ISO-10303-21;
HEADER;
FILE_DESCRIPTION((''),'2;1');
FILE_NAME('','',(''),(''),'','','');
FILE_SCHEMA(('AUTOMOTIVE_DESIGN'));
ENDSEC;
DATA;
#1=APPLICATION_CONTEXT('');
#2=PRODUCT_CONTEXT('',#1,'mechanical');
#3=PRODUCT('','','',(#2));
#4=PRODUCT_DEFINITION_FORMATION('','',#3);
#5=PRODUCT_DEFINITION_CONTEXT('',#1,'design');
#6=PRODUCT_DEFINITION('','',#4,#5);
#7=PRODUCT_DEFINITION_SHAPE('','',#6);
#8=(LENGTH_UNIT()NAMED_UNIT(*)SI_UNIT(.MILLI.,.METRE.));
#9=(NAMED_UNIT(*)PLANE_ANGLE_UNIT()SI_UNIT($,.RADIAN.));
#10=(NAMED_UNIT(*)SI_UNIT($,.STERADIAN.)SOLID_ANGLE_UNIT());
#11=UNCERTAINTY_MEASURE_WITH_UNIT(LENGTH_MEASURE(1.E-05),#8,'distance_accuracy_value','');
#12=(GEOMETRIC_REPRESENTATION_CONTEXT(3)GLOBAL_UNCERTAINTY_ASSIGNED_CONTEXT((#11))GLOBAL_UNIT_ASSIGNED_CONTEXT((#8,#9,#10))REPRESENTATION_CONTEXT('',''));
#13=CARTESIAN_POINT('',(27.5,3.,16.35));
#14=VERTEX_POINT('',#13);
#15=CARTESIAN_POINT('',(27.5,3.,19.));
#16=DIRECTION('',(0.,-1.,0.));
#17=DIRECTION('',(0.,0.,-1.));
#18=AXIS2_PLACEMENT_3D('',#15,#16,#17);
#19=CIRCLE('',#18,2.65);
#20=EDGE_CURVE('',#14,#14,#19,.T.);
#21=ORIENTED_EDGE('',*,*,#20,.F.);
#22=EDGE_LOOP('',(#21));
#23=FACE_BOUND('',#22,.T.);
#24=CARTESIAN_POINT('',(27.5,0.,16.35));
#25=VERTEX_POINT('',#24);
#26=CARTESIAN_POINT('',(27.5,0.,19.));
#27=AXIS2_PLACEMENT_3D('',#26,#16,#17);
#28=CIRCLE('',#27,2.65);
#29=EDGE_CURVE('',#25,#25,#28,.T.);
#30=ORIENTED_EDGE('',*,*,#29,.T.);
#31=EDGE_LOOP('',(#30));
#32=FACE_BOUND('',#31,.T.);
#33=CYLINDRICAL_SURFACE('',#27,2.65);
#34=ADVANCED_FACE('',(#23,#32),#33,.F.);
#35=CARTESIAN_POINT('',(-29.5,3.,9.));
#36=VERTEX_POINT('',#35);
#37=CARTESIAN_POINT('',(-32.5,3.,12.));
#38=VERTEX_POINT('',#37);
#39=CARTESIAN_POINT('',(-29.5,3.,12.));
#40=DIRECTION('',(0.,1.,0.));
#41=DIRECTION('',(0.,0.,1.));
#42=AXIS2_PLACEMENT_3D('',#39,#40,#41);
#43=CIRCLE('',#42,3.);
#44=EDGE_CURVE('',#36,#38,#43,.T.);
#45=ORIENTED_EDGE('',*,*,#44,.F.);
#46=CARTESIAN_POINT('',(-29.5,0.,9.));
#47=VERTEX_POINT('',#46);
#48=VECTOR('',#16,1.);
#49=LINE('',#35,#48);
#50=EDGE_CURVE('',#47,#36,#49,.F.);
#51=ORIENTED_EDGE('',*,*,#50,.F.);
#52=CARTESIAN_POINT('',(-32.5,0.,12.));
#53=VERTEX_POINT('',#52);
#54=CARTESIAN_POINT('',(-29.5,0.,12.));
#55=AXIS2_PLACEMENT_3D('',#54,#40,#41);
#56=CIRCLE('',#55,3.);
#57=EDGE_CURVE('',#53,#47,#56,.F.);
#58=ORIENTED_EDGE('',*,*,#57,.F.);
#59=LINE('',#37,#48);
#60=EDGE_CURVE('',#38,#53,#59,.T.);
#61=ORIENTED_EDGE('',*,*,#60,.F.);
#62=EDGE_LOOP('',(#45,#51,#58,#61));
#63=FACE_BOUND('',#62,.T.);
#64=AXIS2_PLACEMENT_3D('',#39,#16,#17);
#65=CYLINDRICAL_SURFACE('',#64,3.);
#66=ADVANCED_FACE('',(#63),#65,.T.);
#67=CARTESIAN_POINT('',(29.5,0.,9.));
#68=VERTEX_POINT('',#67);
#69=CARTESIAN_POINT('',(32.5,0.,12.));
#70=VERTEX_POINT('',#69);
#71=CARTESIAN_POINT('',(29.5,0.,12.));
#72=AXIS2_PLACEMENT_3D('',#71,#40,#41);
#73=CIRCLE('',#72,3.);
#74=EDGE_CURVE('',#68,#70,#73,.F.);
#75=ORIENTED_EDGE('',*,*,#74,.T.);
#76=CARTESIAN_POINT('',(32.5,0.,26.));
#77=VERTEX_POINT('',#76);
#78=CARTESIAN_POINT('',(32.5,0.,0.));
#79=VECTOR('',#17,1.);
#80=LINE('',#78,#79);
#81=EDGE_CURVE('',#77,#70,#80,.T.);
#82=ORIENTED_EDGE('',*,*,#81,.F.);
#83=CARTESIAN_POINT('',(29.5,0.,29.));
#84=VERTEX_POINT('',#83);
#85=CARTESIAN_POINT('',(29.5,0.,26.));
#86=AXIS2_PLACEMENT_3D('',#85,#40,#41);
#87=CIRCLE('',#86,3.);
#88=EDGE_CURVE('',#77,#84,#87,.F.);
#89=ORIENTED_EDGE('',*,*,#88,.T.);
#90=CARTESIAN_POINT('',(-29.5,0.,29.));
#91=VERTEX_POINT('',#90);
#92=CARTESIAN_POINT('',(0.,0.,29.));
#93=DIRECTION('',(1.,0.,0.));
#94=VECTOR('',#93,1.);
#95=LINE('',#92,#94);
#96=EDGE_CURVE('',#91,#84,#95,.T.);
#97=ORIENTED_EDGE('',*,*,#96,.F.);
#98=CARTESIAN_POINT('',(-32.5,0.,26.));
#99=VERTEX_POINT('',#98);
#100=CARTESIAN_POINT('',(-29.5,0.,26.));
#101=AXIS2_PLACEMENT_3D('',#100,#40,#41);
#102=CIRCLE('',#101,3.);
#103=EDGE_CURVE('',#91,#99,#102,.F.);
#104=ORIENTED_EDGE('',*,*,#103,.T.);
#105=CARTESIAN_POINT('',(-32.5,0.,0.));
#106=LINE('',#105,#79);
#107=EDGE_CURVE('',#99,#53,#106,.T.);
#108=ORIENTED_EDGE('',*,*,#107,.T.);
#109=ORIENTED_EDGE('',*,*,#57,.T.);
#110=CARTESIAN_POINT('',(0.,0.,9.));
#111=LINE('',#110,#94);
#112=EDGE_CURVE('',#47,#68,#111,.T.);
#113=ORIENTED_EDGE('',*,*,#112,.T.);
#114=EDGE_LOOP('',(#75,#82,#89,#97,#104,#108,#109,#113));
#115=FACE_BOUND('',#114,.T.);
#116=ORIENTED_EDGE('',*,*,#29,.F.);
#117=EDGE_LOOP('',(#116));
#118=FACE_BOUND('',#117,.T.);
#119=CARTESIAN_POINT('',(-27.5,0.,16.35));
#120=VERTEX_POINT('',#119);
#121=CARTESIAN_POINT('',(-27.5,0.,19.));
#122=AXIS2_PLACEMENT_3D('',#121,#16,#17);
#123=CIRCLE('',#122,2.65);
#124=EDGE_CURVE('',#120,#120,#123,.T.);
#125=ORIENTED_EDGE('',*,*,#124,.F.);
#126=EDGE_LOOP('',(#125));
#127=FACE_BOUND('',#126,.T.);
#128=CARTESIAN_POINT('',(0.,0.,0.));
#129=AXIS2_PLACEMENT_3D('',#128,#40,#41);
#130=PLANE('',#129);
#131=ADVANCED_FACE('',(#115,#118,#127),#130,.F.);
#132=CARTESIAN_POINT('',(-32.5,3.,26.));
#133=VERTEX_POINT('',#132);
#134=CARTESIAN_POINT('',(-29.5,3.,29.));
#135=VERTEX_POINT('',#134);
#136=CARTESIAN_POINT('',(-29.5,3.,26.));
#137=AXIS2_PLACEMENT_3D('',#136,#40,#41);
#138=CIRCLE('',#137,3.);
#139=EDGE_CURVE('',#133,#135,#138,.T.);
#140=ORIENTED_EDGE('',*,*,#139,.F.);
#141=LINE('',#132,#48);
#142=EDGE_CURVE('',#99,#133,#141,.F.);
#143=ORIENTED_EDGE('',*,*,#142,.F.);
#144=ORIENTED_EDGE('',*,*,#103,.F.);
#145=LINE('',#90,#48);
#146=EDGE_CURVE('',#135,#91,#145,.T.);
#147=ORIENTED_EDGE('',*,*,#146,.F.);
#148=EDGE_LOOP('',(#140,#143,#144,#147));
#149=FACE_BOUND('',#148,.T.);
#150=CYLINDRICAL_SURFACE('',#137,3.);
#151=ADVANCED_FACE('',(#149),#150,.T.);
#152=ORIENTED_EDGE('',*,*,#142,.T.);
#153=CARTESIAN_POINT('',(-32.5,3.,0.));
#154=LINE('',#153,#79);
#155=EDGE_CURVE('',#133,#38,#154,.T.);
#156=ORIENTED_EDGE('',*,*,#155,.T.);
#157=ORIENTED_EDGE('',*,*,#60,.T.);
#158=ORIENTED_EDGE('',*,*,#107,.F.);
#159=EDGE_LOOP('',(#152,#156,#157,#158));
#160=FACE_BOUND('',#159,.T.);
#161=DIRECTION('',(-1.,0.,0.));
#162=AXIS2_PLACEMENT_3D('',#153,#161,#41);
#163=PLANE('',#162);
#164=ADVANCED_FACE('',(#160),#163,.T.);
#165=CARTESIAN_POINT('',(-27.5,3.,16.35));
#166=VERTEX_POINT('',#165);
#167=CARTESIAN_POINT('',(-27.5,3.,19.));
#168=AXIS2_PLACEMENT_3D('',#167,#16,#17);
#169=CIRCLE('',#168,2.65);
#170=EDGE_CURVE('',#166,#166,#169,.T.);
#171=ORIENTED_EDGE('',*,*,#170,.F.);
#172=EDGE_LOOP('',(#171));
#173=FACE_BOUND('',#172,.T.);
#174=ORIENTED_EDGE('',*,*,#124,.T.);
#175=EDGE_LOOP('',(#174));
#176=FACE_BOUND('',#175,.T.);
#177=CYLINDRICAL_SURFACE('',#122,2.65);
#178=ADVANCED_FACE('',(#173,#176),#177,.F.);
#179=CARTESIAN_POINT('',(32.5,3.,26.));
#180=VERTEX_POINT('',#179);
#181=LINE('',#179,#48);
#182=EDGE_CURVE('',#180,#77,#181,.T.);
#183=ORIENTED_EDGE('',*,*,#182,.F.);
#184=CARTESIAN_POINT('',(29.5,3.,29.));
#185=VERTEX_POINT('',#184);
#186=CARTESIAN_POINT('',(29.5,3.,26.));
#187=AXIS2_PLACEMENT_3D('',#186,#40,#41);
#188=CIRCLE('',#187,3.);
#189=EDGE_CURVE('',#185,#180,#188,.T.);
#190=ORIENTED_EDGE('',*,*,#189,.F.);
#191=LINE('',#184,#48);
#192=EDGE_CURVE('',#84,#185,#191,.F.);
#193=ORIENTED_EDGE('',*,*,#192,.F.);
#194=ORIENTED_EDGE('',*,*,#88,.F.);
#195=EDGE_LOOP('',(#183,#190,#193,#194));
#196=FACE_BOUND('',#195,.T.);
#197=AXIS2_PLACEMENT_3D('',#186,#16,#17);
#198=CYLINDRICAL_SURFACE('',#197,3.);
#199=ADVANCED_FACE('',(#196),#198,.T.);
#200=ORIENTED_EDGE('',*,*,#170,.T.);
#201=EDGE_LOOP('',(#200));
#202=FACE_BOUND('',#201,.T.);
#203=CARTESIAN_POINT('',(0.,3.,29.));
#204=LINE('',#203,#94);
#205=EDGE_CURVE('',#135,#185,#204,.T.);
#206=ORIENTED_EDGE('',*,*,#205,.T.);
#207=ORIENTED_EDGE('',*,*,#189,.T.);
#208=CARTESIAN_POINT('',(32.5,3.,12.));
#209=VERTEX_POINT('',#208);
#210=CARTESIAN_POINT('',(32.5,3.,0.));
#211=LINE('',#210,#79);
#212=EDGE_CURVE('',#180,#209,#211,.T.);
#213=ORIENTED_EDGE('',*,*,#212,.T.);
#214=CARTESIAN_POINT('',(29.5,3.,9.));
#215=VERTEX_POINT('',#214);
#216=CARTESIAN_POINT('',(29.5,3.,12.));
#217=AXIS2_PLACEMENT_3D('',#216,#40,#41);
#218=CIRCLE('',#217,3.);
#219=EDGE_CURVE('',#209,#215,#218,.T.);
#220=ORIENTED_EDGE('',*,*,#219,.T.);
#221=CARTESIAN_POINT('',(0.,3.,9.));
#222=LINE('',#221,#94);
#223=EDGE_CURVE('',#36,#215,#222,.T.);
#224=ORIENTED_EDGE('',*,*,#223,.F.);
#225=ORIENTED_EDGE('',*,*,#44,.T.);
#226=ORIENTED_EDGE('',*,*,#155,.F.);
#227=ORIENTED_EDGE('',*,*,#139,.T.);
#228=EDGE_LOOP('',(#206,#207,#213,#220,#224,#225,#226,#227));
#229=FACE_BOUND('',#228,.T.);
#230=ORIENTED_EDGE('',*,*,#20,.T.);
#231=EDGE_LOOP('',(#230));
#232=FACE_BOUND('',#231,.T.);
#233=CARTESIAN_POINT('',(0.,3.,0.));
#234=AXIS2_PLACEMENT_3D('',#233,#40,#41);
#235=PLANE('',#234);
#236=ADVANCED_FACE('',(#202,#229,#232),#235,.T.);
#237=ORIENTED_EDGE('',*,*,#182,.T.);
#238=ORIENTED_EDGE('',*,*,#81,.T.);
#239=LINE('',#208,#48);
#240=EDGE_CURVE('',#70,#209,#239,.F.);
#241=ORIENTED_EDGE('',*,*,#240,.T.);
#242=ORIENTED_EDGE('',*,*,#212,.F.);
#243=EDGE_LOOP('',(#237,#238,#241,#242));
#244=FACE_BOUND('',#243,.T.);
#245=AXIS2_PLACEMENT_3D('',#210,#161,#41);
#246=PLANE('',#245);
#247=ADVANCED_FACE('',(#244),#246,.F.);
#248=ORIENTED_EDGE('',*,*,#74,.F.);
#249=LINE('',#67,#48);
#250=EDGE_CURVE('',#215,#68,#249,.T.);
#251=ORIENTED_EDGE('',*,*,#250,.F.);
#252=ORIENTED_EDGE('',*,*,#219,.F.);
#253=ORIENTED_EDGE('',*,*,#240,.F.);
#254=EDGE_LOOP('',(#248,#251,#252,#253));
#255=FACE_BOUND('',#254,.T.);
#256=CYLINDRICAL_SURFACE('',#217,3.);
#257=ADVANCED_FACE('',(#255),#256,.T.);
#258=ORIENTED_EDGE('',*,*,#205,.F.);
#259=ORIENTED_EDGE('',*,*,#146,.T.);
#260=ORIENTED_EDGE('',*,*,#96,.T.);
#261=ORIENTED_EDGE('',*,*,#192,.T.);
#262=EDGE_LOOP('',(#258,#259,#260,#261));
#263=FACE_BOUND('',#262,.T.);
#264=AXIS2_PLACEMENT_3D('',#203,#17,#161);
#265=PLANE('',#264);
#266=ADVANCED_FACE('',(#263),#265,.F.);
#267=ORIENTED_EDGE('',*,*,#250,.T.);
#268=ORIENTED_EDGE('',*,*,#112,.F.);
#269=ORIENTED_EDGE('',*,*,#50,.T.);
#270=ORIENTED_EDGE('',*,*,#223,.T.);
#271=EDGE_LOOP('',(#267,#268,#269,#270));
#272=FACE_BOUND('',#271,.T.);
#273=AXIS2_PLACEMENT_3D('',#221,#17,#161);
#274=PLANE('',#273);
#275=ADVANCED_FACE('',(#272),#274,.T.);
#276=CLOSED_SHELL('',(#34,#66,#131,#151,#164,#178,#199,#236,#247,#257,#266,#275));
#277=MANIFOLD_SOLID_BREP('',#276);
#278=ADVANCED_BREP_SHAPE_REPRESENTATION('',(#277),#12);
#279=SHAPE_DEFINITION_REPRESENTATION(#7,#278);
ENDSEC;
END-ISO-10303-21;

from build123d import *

# Parameters (mm, degrees)
BOSS_EXTRUDE1_DEPTH  = 3
M3_CLEARANCE_HOLE1_D = 3.2
M5_CLEARANCE_HOLE1_D = 5.3
SKETCH8_W            = 65
SKETCH8_H            = 21.5
CUT_EXTRUDE1_DEPTH   = 4
FILLET2_R            = 3


with BuildPart() as part:
    # Sketch1 → Boss-Extrude1 (new body)
    with BuildSketch(Plane(origin=(0, 0, 0), x_dir=(1, 0, 0), z_dir=(0, 1, 0))):
        with BuildLine():
            Line((32.5, -29), (32.5, -9))
            Line((32.5, -9), (7.563621408, 9.951966197))
            ThreePointArc((7.563621408, 9.951966197), (0, 12.5), (-7.563621408, 9.951966197))
            Line((-7.563621408, 9.951966197), (-32.5, -9))
            Line((-32.5, -9), (-32.5, -29))
            Line((-32.5, -29), (32.5, -29))
        make_face()
        with BuildLine():
            ThreePointArc((-4, 0), (0, 4), (4, 0))
            ThreePointArc((4, 0), (0, -4), (-4, 0))
        make_face(mode=Mode.SUBTRACT)
    extrude(amount=BOSS_EXTRUDE1_DEPTH)

    # M3 Clearance Hole1 (through all)
    with Locations(Plane(origin=(0, 0, 0), x_dir=(-1, 0, 0), z_dir=(0, -1, 0))):
        with Locations((8.5, 0), (-8.5, 0)):
            Hole(M3_CLEARANCE_HOLE1_D / 2)

    # M5 Clearance Hole1 (through all)
    with Locations(Plane(origin=(0, 0, 0), x_dir=(-1, 0, 0), z_dir=(0, -1, 0))):
        with Locations((-27.5, -19), (27.5, -19)):
            Hole(M5_CLEARANCE_HOLE1_D / 2)

    # Sketch8 → Cut-Extrude1 (cut, through all)
    with BuildSketch(Plane(origin=(0, 0, 0), x_dir=(1, 0, 0), z_dir=(0, 1, 0))):
        with Locations((0, 1.75)):
            Rectangle(SKETCH8_W, SKETCH8_H)
    extrude(amount=CUT_EXTRUDE1_DEPTH, mode=Mode.SUBTRACT)

    # Fillet2
    fillet2_edges = [part.edges().sort_by_distance(p)[0] for p in [
        (32.5, 1.5, 9),
        (32.5, 1.5, 29),
        (-32.5, 1.5, 29),
        (-32.5, 1.5, 9),
    ]]
    fillet(fillet2_edges, radius=FILLET2_R)


solid = part.part
